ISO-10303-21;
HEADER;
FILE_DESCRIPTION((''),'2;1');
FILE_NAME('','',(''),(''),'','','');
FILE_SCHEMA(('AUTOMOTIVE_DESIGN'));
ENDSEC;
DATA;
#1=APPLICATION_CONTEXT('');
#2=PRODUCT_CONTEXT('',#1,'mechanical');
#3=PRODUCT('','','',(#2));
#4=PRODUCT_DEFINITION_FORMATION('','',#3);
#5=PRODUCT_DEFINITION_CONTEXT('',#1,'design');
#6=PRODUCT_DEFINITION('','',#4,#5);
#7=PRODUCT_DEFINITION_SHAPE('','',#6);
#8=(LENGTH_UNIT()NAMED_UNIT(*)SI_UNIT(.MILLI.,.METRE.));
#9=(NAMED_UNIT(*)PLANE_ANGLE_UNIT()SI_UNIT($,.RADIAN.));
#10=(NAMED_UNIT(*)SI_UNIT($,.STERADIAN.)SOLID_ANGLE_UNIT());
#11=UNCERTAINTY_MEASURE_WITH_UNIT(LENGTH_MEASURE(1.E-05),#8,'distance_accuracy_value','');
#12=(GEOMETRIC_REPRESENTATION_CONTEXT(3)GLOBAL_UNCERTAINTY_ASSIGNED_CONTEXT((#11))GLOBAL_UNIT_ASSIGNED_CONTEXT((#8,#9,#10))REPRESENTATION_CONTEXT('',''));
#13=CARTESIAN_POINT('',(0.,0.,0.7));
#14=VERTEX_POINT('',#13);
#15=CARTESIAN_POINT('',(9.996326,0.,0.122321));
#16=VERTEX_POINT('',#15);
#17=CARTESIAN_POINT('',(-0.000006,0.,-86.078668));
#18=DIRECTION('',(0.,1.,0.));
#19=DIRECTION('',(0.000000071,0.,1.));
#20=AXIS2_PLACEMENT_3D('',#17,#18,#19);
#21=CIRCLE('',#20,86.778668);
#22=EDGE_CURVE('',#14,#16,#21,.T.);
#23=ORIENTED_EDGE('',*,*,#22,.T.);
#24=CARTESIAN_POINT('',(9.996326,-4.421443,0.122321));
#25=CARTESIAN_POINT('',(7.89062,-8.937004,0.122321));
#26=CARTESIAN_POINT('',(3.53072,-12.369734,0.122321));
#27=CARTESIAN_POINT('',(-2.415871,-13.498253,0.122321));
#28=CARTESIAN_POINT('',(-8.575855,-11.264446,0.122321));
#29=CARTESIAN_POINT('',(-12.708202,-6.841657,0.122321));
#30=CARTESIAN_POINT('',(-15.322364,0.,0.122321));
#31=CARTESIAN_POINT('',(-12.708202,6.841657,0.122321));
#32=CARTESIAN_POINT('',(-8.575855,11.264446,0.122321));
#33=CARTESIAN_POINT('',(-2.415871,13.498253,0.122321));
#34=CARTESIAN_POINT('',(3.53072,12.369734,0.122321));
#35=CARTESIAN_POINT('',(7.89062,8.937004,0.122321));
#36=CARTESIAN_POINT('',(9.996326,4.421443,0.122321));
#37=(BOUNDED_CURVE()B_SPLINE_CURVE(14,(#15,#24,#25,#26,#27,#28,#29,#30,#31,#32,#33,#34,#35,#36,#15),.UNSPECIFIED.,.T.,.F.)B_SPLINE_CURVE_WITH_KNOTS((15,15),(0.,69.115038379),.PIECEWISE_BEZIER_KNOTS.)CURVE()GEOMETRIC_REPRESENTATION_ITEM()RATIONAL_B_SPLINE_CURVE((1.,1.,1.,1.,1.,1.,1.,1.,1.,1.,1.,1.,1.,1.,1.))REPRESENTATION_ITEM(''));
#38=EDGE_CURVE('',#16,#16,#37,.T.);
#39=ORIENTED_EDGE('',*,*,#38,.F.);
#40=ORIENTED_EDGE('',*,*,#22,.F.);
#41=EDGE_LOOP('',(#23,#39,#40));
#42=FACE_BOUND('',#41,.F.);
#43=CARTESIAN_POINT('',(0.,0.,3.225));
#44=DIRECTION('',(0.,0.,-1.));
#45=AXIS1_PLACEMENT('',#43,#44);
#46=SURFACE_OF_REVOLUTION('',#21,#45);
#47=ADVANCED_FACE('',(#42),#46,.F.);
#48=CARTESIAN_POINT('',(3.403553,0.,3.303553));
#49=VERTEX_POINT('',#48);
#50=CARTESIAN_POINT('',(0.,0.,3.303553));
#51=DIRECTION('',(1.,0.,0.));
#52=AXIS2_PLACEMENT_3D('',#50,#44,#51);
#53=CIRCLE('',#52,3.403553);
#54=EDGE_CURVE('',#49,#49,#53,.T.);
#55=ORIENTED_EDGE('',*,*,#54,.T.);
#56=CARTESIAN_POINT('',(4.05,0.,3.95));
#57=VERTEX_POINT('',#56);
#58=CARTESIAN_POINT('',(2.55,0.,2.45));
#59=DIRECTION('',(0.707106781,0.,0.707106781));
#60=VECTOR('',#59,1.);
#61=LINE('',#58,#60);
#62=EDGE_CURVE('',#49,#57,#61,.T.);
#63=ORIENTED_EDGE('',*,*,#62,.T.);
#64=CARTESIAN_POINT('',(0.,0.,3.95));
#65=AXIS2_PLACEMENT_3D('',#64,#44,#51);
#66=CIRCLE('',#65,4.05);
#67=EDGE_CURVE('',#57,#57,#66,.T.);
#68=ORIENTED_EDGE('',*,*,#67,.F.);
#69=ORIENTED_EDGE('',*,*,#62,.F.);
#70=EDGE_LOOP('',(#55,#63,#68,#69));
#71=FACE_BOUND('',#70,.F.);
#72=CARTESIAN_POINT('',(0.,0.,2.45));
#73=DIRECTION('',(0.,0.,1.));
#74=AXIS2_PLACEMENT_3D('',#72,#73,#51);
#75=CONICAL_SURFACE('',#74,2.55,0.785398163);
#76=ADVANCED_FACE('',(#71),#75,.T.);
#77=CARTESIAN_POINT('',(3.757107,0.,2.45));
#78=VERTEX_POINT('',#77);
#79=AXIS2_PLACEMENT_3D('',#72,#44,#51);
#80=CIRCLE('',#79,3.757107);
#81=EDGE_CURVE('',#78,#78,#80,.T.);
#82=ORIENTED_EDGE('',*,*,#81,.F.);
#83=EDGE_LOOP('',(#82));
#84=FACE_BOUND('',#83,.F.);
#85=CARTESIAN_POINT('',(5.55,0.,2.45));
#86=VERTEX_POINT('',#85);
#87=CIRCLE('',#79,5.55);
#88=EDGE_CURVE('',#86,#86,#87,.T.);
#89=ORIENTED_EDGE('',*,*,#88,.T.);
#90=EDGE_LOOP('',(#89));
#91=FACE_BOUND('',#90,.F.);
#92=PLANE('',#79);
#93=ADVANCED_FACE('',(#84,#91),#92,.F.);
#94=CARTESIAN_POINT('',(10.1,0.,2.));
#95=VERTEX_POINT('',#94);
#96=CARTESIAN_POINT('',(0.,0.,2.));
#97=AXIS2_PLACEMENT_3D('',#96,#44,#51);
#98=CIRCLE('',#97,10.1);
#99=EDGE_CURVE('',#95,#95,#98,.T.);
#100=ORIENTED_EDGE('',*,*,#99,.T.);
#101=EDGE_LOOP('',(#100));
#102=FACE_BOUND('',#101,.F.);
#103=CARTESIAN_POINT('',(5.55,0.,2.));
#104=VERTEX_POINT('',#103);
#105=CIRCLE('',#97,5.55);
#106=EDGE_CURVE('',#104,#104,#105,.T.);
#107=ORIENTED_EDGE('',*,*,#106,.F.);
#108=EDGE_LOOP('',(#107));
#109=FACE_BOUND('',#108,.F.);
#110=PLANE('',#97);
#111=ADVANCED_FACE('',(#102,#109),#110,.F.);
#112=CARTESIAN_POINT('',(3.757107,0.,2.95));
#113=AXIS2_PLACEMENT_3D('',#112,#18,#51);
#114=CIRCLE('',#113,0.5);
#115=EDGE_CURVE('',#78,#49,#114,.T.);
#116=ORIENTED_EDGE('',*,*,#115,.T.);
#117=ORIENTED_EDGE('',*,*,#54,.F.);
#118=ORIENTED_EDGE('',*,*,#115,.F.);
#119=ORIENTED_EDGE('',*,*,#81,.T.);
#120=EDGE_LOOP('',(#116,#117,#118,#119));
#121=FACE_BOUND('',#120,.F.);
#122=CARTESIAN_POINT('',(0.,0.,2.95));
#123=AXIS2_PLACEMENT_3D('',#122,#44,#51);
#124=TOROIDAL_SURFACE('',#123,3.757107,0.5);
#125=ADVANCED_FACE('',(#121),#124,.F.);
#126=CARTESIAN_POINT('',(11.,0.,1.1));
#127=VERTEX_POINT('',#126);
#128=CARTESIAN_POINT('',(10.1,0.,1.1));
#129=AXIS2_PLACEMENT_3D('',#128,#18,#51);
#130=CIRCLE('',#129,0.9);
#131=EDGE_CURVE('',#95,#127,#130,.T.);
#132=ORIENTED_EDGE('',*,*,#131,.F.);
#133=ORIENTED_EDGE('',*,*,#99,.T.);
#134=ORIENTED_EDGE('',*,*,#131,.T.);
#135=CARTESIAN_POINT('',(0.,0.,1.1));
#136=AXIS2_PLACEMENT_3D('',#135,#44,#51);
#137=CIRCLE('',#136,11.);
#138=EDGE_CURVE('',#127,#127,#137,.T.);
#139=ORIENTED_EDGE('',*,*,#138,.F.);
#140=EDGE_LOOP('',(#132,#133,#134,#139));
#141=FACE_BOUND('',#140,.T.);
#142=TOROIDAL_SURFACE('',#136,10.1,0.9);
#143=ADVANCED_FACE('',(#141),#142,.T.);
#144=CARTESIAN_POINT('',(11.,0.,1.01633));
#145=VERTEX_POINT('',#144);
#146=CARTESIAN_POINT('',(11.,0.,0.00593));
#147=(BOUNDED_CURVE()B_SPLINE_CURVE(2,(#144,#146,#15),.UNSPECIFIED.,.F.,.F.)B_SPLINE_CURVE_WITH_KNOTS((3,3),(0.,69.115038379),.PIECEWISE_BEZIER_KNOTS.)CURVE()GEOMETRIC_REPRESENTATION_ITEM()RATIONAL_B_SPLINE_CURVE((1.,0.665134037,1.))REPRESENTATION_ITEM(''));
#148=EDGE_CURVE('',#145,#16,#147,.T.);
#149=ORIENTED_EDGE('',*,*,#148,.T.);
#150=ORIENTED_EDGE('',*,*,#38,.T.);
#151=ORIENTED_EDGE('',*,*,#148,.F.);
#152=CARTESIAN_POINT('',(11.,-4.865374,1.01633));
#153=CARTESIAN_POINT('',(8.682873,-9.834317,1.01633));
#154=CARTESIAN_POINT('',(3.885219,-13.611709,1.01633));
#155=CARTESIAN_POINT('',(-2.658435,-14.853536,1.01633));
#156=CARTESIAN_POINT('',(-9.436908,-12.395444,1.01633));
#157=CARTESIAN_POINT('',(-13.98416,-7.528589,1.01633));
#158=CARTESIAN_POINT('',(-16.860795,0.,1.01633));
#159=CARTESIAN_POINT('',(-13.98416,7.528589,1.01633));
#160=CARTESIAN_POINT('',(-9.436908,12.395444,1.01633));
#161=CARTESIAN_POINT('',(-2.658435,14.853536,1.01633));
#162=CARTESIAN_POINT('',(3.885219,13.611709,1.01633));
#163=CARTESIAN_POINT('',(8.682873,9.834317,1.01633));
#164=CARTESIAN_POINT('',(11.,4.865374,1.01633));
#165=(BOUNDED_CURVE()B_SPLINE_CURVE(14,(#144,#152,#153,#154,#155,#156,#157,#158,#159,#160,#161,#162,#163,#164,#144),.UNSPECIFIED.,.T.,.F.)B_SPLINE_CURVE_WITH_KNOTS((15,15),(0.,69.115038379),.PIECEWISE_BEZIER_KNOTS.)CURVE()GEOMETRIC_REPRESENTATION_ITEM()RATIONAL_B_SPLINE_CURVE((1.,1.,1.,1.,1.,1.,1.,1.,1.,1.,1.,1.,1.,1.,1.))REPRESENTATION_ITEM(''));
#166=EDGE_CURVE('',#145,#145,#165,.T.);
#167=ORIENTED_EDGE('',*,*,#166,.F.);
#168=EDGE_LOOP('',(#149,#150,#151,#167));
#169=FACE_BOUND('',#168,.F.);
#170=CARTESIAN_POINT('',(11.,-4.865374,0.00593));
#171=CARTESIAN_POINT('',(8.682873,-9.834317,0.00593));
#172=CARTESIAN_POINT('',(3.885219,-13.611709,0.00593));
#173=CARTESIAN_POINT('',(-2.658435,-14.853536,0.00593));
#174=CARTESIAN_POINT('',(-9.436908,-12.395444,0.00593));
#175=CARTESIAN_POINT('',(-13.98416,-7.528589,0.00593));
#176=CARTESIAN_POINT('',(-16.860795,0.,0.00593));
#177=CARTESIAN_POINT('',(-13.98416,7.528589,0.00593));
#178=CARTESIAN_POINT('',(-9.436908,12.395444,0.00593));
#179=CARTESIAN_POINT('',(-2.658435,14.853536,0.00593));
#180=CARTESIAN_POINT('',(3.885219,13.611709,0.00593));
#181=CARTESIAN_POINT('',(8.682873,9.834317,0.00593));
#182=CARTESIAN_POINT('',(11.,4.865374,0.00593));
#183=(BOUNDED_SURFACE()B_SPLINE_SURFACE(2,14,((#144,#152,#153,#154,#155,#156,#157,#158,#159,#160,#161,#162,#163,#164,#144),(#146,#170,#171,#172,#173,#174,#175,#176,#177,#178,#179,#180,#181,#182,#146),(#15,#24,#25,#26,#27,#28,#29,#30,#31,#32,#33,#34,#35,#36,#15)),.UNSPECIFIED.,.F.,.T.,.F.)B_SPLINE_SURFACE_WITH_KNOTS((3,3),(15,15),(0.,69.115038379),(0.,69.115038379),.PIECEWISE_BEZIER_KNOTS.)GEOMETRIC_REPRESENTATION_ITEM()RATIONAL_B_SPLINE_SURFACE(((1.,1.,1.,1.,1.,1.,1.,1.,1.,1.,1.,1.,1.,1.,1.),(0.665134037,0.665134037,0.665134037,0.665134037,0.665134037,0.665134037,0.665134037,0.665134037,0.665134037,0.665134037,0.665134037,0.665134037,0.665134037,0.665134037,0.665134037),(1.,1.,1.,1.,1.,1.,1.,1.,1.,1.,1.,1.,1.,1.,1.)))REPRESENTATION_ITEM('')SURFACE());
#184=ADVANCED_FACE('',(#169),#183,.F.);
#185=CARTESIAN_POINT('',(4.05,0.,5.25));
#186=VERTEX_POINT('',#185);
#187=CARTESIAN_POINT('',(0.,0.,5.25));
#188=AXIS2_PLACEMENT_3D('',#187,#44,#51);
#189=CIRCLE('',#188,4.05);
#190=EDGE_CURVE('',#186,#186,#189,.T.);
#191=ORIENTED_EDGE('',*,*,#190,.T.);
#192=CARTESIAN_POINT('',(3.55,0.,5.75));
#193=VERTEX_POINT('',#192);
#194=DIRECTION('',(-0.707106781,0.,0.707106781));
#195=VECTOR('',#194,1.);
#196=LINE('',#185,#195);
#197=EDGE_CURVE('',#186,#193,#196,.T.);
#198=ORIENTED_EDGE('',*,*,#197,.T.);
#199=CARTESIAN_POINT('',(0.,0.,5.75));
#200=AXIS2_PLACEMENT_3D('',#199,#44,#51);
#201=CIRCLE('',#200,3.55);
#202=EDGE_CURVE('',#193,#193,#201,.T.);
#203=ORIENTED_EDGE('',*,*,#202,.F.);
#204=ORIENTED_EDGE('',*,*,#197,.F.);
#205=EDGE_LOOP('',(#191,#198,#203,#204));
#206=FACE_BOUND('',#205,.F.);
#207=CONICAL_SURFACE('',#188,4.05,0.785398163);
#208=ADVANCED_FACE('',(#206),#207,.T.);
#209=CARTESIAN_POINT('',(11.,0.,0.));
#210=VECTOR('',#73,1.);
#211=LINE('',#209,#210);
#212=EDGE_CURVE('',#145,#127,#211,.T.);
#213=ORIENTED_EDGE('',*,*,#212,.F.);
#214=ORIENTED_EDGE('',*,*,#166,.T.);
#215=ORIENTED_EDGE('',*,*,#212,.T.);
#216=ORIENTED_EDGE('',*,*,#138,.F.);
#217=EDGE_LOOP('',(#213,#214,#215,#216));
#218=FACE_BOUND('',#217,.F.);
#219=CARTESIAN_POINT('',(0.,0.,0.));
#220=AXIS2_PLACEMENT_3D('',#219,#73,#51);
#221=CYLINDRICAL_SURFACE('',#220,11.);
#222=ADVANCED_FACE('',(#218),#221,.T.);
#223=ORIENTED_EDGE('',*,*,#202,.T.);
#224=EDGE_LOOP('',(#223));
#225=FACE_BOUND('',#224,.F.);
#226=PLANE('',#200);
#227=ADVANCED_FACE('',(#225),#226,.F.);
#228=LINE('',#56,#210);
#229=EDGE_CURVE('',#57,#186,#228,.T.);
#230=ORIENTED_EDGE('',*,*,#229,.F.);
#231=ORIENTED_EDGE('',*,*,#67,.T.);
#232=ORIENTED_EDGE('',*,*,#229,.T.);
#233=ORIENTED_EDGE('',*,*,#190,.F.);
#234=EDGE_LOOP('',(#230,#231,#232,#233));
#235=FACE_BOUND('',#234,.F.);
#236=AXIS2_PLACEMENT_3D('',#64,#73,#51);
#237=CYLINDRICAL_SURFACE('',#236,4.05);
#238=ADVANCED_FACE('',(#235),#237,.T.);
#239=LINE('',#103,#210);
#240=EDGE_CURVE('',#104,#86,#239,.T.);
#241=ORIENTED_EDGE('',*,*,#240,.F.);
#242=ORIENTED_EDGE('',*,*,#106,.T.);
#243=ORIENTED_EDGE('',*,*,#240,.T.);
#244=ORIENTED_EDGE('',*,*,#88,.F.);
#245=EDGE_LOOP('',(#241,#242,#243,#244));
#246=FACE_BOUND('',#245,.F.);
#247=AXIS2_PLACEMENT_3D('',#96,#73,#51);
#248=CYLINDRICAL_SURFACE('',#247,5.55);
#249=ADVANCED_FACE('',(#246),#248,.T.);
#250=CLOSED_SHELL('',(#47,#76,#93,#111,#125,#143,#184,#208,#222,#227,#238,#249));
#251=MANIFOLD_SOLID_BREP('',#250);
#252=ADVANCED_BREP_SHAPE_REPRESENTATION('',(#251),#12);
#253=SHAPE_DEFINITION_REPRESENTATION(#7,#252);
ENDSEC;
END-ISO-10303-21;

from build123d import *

# Parameters (mm, degrees)
F2_R    = 0.5
F3_R    = 0.9
F4_SIZE = 0.5


with BuildPart() as f1:
    # F0 (on Front) → F1 (revolve)
    with BuildSketch(Plane.XZ):
        with BuildLine():
            ThreePointArc((0, 0.7), (5.511125, 0.524823), (11, 0))
            Line((11, 0), (11, 2))
            Line((11, 2), (5.55, 2))
            Line((5.55, 2), (5.55, 2.45))
            Line((5.55, 2.45), (2.55, 2.45))
            Line((2.55, 2.45), (4.05, 3.95))
            Line((4.05, 3.95), (4.05, 5.75))
            Line((4.05, 5.75), (0, 5.75))
            Line((0, 5.75), (0, 0.7))
        make_face()
    revolve(axis=Axis((0, 0, 3.225), (0, 0, -1)))

    # F2
    f2_edges = [f1.edges().sort_by_distance(p)[0] for p in [
        (-2.55, 0, 2.45),
    ]]
    fillet(f2_edges, radius=F2_R)

    # F3
    f3_edges = [f1.edges().sort_by_distance(p)[0] for p in [
        (-11, 0, 0),
        (-11, 0, 2),
    ]]
    fillet(f3_edges, radius=F3_R)

    # F4
    f4_edges = [f1.edges().sort_by_distance(p)[0] for p in [
        (-4.05, 0, 5.75),
    ]]
    chamfer(f4_edges, length=F4_SIZE)


solid = f1.part
